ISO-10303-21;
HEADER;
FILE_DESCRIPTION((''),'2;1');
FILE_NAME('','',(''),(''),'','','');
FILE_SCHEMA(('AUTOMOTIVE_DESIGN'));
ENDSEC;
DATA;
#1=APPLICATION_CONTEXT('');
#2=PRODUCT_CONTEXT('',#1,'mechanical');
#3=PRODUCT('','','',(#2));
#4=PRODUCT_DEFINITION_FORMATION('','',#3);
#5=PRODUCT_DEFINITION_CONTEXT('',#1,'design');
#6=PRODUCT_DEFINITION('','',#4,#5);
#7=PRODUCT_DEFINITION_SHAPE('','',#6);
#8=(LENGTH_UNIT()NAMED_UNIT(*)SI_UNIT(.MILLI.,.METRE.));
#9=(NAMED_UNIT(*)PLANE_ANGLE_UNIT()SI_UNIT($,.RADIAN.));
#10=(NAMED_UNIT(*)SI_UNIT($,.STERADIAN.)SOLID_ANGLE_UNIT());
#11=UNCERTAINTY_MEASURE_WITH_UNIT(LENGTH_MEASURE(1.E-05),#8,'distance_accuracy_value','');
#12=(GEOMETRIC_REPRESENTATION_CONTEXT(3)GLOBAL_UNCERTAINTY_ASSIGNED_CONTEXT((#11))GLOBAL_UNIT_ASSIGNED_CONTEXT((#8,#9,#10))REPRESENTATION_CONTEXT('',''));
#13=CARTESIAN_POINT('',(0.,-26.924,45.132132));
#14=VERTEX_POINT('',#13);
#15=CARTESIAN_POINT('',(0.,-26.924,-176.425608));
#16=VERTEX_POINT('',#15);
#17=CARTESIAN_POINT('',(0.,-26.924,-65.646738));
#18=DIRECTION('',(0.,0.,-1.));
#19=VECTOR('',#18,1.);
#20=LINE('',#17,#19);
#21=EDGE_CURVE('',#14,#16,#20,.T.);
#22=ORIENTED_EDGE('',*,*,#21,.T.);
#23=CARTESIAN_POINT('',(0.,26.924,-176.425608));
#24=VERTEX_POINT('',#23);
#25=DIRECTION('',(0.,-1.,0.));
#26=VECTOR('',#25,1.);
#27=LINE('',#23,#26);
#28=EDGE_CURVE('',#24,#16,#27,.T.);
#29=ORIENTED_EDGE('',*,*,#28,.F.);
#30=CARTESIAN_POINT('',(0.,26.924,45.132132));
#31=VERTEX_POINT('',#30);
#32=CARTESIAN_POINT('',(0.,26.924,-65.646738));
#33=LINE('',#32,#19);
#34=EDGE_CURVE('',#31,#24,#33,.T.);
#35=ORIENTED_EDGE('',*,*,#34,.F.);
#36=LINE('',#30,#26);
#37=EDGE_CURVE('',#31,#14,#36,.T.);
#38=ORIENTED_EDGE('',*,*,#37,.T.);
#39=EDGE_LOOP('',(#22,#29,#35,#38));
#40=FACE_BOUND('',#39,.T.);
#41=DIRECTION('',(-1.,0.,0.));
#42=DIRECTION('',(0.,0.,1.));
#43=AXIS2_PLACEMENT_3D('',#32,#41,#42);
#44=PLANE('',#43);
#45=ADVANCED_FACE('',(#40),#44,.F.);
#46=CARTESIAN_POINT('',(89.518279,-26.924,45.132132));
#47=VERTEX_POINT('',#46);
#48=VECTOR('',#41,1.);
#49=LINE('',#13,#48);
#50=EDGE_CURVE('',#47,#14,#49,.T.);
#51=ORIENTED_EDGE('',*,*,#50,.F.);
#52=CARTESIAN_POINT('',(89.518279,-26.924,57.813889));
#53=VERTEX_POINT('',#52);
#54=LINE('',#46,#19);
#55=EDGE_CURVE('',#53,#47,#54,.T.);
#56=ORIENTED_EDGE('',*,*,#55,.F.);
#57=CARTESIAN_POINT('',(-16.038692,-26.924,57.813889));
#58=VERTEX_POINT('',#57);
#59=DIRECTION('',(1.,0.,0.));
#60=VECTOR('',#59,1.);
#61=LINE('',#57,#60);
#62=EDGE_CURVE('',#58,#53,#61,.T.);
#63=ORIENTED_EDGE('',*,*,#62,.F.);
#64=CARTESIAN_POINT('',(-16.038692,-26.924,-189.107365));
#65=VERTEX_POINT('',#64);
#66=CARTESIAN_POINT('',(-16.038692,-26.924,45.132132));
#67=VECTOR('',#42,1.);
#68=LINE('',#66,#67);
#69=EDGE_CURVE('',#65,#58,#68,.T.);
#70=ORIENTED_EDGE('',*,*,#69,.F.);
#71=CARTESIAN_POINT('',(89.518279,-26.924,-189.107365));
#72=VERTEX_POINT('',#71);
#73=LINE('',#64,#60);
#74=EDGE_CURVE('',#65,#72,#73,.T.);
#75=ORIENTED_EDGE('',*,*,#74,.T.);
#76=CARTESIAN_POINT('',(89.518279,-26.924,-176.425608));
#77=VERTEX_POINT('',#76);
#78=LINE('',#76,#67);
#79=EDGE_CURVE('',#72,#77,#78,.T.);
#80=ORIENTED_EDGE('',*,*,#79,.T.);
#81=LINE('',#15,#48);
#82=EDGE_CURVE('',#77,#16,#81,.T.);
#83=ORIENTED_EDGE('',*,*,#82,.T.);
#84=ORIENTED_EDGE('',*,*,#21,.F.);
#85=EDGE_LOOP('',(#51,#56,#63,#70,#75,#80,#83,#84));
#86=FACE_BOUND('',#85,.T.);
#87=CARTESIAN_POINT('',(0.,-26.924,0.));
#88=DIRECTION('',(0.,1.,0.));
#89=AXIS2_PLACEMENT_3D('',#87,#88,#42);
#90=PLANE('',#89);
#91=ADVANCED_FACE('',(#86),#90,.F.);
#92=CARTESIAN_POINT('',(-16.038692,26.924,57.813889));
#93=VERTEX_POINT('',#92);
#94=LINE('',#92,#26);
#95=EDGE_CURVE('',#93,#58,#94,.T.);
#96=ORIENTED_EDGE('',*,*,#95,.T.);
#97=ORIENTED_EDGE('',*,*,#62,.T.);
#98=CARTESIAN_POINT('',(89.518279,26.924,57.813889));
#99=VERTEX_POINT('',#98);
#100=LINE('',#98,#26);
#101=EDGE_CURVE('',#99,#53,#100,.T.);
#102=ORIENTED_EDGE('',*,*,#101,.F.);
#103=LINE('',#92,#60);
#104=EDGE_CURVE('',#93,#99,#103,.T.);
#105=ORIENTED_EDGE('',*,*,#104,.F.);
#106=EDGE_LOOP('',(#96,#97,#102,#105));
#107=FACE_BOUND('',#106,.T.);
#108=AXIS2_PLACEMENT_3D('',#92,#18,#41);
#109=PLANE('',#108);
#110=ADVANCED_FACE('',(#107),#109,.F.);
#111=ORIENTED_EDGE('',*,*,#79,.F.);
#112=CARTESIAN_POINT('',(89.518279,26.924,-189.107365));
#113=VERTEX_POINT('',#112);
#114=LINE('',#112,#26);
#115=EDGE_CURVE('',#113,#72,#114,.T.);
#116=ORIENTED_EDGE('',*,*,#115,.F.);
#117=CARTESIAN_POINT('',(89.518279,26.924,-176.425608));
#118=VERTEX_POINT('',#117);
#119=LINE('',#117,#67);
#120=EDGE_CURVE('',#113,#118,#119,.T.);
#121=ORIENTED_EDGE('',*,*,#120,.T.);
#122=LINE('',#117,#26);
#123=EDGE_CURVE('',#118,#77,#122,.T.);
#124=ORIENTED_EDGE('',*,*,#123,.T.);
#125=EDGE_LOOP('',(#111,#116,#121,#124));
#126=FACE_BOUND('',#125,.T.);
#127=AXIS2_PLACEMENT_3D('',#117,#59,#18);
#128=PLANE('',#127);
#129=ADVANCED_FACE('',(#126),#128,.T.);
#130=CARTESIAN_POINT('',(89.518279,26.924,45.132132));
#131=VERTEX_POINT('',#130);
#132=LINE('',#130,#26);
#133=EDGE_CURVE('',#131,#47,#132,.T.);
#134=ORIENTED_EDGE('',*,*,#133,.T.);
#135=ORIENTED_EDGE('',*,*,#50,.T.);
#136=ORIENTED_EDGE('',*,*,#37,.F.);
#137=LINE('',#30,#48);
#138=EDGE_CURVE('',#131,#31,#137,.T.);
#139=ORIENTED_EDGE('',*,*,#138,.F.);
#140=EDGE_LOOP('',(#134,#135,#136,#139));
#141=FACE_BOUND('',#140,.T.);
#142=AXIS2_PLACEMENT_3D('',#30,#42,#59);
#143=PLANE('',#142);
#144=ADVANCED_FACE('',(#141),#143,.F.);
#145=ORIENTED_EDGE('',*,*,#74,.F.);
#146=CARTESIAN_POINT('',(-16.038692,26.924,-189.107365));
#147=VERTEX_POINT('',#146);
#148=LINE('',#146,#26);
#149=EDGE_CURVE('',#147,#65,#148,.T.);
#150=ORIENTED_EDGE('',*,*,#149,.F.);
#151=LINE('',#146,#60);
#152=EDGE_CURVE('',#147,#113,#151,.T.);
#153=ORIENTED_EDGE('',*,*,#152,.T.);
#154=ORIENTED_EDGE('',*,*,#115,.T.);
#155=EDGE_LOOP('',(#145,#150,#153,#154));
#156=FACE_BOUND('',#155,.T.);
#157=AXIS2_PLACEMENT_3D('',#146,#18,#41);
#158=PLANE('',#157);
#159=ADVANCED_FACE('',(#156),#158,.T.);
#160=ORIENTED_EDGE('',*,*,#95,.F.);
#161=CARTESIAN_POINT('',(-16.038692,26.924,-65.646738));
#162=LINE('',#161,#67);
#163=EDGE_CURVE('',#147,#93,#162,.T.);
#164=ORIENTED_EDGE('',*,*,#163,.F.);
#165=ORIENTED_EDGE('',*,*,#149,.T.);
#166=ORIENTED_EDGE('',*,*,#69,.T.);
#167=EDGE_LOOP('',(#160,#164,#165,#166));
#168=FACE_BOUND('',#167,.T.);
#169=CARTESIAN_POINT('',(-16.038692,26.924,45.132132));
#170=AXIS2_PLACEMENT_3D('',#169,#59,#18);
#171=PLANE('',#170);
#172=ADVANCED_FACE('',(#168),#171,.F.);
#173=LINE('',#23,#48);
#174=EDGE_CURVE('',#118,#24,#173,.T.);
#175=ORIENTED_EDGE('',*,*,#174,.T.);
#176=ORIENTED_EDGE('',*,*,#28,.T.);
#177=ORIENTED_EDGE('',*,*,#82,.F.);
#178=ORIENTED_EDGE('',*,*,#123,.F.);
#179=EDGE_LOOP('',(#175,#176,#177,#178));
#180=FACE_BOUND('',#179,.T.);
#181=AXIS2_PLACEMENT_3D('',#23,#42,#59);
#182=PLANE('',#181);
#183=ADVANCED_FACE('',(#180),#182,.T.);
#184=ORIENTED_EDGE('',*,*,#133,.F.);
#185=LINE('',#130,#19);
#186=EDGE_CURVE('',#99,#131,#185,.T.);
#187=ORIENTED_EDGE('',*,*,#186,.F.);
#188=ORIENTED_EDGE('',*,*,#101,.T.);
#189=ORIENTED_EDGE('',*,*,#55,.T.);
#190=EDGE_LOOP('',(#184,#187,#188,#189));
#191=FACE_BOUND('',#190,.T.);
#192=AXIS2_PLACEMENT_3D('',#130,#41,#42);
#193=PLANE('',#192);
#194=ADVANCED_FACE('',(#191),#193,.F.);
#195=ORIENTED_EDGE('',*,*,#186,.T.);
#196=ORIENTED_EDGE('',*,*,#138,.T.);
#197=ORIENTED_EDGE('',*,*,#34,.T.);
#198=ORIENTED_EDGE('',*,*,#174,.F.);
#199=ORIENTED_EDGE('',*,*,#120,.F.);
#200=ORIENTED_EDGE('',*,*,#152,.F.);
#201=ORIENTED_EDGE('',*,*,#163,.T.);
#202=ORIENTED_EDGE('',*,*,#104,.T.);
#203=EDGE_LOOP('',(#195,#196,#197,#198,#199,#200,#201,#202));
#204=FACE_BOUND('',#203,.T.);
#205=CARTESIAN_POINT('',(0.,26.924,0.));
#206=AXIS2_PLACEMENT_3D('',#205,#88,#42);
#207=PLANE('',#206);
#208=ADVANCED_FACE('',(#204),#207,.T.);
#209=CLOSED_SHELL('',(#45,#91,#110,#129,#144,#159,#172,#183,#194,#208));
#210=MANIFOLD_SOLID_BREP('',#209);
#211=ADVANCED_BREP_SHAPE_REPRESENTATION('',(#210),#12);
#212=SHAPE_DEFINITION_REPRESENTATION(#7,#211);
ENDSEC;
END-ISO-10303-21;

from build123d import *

# Parameters (mm, degrees)
BOSS_EXTRUDE1_DEPTH = 26.924


with BuildPart() as part:
    # Sketch1 → Boss-Extrude1 (new, symmetric)
    with BuildSketch(Plane(origin=(0, 0, 0), x_dir=(1, 0, 0), z_dir=(0, 1, 0))):
        Polygon((-16.038691669, 65.646737994), (0, 65.646737994), (0, -45.132132371), (89.518279083, -45.132132371), (89.518279083, -57.813888574), (-16.038691669, -57.813888574), (-16.038691669, -45.132132371), align=None)
    boss_extrude1 = extrude(amount=BOSS_EXTRUDE1_DEPTH, both=True)

    # Mirror1: Boss-Extrude1 across plane
    add(boss_extrude1.mirror(Plane(origin=(-16.038691669, 26.924, -65.646737994), x_dir=(1, 0, 0), z_dir=(0, 0, 1))))


solid = part.part
